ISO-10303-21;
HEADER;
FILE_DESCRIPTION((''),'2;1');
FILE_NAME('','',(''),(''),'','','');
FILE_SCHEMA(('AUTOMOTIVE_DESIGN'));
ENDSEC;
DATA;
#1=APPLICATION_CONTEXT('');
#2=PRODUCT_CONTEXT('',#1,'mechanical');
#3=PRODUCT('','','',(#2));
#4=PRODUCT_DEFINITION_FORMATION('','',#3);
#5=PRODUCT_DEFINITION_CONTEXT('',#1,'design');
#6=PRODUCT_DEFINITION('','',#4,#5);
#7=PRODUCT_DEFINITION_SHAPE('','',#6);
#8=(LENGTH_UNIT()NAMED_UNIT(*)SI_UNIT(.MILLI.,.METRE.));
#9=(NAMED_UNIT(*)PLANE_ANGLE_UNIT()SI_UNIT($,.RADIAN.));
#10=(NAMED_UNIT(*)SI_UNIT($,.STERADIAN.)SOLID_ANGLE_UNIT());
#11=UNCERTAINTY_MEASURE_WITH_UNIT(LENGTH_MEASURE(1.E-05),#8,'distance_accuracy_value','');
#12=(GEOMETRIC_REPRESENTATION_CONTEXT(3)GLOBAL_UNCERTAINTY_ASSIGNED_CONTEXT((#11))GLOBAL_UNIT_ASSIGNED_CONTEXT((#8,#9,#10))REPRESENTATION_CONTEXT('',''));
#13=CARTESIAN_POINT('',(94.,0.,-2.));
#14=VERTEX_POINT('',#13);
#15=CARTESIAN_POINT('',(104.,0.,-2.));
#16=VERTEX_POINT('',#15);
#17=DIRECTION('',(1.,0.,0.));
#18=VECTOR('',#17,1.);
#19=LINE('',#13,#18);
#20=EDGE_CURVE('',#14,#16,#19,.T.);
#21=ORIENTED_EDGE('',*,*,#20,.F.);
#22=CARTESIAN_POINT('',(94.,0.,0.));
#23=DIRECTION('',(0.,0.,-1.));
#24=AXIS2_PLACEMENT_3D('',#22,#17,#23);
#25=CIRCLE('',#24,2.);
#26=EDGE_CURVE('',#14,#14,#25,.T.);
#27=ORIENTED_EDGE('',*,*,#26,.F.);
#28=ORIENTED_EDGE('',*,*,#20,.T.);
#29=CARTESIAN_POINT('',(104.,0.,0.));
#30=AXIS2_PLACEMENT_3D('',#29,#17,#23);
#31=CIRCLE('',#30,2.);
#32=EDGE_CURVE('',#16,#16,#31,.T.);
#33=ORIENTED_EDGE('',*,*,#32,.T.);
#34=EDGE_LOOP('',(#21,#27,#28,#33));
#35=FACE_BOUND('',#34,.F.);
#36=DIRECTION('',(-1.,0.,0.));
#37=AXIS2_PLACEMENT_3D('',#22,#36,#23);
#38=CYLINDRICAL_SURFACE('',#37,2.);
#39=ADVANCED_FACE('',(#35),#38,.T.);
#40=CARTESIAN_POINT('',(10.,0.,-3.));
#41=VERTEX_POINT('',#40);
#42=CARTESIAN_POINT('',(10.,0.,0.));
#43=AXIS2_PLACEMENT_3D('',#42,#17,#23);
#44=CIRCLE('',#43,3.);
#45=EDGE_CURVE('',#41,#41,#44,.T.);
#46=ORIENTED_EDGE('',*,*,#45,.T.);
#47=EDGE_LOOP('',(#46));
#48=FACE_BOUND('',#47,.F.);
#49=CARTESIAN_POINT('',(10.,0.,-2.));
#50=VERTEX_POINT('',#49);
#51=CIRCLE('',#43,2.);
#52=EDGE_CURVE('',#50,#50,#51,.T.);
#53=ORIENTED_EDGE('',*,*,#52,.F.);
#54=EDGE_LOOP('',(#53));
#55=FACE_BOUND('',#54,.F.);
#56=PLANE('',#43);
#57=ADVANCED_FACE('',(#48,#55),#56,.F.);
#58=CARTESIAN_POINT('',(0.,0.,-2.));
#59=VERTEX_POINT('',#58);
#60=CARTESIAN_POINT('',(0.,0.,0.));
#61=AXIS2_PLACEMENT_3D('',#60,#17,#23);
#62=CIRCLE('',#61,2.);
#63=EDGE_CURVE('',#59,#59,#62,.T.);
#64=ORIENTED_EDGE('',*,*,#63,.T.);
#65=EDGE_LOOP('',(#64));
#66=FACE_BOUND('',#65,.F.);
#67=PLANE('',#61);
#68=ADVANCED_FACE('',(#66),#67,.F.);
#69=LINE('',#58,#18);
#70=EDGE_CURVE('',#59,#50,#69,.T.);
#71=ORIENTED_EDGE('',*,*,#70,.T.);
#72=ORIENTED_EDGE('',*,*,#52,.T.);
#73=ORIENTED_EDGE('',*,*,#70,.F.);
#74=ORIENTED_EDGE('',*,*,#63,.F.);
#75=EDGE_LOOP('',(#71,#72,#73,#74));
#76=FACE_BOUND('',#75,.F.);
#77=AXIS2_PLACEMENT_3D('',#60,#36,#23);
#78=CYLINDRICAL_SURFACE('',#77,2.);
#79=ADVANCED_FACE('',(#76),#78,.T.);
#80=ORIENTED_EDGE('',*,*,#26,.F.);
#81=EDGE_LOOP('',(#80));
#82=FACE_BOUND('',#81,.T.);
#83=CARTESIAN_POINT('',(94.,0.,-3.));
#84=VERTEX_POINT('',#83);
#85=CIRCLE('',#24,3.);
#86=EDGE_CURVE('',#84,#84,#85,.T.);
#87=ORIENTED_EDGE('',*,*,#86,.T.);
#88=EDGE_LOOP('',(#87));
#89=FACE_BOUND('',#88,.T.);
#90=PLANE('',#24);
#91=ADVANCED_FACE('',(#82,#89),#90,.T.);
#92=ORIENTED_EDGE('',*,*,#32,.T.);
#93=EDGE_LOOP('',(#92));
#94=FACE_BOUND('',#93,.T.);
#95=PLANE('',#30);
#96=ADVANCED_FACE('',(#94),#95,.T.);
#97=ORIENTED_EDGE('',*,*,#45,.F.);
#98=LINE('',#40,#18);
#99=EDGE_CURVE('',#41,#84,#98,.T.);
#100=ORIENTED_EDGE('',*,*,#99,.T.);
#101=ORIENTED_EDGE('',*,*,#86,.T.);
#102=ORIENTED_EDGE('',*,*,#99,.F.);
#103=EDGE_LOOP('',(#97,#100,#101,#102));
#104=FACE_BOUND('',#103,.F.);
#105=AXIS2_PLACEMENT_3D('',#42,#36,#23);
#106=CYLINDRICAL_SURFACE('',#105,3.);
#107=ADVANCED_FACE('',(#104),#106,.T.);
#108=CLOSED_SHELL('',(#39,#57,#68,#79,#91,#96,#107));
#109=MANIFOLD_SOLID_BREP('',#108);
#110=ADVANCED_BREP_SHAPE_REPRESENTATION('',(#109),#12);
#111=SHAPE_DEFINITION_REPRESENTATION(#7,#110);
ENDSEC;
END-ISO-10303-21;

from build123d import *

# Parameters (mm, degrees)
SKETCH1_R           = 2
BOSS_EXTRUDE1_DEPTH = 10
SKETCH2_R           = 3
BOSS_EXTRUDE2_DEPTH = 84
SKETCH3_R           = 2
BOSS_EXTRUDE3_DEPTH = 10


with BuildPart() as part:
    # Sketch1 → Boss-Extrude1 (new body)
    with BuildSketch(Plane(origin=(0, 0, 0), x_dir=(0, 0, -1), z_dir=(1, 0, 0))):
        Circle(SKETCH1_R)
    extrude(amount=BOSS_EXTRUDE1_DEPTH)

    # Sketch2 → Boss-Extrude2 (add)
    with BuildSketch(Plane(origin=(10, 0, 0), x_dir=(0, 0, -1), z_dir=(1, 0, 0))):
        Circle(SKETCH2_R)
    extrude(amount=BOSS_EXTRUDE2_DEPTH)

    # Sketch3 → Boss-Extrude3 (add)
    with BuildSketch(Plane(origin=(94, 0, 0), x_dir=(0, 0, -1), z_dir=(1, 0, 0))):
        Circle(SKETCH3_R)
    extrude(amount=BOSS_EXTRUDE3_DEPTH)


solid = part.part
